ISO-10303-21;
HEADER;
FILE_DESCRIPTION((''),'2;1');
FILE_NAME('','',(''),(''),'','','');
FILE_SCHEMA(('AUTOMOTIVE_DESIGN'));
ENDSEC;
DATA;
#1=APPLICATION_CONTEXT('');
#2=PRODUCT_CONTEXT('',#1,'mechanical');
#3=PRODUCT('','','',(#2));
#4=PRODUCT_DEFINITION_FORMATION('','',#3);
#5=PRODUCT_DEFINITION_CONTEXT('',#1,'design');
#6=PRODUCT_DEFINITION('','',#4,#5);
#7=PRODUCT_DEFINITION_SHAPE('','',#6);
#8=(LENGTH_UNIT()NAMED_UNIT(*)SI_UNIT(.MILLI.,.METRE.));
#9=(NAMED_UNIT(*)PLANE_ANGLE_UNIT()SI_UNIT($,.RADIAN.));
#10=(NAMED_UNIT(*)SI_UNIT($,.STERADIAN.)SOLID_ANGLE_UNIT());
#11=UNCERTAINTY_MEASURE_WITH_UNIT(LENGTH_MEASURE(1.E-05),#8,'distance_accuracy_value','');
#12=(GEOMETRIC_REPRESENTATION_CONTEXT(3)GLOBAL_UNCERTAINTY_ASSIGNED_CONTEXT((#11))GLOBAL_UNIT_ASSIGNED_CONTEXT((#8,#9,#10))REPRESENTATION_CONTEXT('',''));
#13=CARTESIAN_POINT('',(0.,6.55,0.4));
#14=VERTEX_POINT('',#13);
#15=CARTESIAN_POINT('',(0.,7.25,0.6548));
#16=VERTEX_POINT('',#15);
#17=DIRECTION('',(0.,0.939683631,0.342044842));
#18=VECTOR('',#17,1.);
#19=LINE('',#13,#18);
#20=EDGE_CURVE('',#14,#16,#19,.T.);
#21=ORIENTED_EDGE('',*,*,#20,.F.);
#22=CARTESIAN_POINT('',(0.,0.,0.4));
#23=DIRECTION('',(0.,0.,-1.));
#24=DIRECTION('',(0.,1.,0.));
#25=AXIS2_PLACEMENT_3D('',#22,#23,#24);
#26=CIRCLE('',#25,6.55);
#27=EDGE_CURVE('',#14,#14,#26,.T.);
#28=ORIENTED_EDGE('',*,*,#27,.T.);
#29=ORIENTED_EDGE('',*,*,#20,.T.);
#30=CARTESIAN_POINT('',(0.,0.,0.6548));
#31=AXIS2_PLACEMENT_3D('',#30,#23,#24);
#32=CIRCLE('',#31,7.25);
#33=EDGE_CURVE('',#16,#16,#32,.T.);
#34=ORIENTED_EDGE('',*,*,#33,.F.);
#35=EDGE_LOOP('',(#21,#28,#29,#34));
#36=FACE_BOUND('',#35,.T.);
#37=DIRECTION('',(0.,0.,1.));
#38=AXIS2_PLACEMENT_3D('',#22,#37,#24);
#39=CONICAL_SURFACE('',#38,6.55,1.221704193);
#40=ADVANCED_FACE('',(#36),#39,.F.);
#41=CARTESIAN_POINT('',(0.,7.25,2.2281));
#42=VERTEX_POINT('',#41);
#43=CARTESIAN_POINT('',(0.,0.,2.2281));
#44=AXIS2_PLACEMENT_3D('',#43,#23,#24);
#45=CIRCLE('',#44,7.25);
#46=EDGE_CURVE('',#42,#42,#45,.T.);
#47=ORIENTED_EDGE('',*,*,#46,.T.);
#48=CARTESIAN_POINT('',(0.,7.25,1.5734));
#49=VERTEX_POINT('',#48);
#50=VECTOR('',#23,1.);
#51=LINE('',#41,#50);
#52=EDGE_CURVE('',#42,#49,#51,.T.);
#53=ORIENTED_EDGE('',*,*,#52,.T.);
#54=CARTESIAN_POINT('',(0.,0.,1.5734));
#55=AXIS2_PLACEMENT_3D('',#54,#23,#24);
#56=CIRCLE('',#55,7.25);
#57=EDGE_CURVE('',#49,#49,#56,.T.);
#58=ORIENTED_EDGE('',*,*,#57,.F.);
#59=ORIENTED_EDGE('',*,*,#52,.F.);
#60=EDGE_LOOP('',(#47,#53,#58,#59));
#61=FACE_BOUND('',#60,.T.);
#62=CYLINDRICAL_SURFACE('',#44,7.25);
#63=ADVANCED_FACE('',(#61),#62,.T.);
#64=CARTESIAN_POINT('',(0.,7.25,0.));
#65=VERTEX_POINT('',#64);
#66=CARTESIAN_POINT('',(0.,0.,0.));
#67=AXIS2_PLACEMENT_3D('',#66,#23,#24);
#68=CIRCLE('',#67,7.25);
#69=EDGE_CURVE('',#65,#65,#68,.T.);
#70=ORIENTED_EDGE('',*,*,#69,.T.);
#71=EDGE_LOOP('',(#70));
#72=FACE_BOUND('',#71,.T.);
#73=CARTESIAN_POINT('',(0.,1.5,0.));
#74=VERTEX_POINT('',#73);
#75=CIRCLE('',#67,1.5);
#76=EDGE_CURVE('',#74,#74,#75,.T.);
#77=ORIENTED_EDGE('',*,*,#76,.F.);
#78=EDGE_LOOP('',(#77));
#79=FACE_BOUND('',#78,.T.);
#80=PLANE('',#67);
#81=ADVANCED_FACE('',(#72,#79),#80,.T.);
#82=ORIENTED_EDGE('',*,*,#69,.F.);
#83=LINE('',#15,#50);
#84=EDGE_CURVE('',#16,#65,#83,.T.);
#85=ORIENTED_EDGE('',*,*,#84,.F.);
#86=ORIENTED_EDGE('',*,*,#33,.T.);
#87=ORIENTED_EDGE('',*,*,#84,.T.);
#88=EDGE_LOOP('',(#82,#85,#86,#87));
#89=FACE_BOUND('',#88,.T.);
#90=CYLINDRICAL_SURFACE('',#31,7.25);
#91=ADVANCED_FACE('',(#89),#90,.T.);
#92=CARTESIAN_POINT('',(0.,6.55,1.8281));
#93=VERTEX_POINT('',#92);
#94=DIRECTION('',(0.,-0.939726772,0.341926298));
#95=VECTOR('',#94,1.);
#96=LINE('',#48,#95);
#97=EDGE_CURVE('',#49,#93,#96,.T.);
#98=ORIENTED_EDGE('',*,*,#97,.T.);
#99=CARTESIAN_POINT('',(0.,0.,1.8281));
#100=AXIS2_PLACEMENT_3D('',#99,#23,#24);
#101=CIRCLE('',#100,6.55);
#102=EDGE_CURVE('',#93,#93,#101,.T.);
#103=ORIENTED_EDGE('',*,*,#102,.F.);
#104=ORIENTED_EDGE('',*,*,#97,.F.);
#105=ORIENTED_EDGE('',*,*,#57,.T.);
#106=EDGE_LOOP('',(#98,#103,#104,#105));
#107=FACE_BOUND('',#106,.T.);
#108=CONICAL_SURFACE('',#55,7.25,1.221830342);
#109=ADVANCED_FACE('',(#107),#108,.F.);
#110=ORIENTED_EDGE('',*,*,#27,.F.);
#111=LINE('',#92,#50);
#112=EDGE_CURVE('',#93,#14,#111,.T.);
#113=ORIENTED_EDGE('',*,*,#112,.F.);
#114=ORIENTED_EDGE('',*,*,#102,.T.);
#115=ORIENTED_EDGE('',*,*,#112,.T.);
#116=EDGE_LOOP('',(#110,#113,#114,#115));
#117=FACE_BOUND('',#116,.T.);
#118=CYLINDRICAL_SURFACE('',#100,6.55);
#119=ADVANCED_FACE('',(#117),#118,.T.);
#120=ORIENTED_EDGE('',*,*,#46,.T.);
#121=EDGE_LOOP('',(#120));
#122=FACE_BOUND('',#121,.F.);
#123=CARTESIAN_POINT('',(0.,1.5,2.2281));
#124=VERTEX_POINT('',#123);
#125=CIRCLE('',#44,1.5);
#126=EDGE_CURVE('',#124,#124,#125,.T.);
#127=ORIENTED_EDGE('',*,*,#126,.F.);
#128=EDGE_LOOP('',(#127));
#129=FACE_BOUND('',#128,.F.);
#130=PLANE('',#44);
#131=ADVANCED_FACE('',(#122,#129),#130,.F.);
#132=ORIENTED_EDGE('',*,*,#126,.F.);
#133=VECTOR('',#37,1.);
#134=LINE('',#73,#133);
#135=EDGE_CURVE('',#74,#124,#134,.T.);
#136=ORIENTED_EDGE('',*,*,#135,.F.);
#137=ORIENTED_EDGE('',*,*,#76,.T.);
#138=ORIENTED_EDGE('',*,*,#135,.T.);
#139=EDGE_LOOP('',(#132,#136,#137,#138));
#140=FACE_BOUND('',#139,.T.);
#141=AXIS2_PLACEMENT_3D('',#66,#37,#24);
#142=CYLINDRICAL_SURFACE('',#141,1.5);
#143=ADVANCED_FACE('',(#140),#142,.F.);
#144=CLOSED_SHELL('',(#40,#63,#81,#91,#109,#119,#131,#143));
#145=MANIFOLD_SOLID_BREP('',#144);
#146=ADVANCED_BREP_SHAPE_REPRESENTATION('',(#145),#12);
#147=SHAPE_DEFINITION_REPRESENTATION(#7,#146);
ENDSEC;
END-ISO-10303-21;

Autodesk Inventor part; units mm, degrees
ref_plane "YZ Plane" through (0, 0, 0) normal (1, 0, 0) x (0, 1, 0)
ref_plane "XZ Plane" through (0, 0, 0) normal (0, 1, 0) x (-1, 0, 0)
ref_plane "XY Plane" through (0, 0, 0) normal (0, 0, 1) x (1, 0, 0)
sketch "Esquisse2" plane through (0, 0, 0) normal (1, 0, 0) x (0, 1, 0)
  line L0 (0, 0) -> (0, -10.0642)
  line L1 (7.25, 2.2281) -> (7.25, 1.5734)
  line L2 (7.25, 1.5734) -> (6.55, 1.8281)
  line L3 (6.55, 1.8281) -> (6.55, 0.4)
  line L4 (6.55, 0.4) -> (7.25, 0.6548)
  line L5 (7.25, 0.6548) -> (7.25, 0)
  circle A0 centre (7.05, 1.1141) radius 0.5 construction
  line L6 (7.25, 2.2281) -> (1.5, 2.2281)
  line L7 (7.25, 0) -> (1.5, 0)
  line L8 (1.5, 0) -> (1.5, 2.2281)
  dimension "d1" = 1
  dimension "d2" = 70
  dimension "d3" = 70
  dimension "d4" = 0.2
  dimension "d5" = 14.5
  dimension "d7" = 0.4
  dimension "d8" = 0.4
  dimension "d9" = 3
revolve "Révolution1" add sketch "Esquisse2" angle 360 about axis through (0, 0, 0) along (0, 0, -1)
thread "Filetage1" size "M3x0.5" class "6H" standard "ISO Metric profile" full length
equation "\"d3\" = d2"
equation "\"d8\" = d7"
properties part number "piston_deplaceur"
